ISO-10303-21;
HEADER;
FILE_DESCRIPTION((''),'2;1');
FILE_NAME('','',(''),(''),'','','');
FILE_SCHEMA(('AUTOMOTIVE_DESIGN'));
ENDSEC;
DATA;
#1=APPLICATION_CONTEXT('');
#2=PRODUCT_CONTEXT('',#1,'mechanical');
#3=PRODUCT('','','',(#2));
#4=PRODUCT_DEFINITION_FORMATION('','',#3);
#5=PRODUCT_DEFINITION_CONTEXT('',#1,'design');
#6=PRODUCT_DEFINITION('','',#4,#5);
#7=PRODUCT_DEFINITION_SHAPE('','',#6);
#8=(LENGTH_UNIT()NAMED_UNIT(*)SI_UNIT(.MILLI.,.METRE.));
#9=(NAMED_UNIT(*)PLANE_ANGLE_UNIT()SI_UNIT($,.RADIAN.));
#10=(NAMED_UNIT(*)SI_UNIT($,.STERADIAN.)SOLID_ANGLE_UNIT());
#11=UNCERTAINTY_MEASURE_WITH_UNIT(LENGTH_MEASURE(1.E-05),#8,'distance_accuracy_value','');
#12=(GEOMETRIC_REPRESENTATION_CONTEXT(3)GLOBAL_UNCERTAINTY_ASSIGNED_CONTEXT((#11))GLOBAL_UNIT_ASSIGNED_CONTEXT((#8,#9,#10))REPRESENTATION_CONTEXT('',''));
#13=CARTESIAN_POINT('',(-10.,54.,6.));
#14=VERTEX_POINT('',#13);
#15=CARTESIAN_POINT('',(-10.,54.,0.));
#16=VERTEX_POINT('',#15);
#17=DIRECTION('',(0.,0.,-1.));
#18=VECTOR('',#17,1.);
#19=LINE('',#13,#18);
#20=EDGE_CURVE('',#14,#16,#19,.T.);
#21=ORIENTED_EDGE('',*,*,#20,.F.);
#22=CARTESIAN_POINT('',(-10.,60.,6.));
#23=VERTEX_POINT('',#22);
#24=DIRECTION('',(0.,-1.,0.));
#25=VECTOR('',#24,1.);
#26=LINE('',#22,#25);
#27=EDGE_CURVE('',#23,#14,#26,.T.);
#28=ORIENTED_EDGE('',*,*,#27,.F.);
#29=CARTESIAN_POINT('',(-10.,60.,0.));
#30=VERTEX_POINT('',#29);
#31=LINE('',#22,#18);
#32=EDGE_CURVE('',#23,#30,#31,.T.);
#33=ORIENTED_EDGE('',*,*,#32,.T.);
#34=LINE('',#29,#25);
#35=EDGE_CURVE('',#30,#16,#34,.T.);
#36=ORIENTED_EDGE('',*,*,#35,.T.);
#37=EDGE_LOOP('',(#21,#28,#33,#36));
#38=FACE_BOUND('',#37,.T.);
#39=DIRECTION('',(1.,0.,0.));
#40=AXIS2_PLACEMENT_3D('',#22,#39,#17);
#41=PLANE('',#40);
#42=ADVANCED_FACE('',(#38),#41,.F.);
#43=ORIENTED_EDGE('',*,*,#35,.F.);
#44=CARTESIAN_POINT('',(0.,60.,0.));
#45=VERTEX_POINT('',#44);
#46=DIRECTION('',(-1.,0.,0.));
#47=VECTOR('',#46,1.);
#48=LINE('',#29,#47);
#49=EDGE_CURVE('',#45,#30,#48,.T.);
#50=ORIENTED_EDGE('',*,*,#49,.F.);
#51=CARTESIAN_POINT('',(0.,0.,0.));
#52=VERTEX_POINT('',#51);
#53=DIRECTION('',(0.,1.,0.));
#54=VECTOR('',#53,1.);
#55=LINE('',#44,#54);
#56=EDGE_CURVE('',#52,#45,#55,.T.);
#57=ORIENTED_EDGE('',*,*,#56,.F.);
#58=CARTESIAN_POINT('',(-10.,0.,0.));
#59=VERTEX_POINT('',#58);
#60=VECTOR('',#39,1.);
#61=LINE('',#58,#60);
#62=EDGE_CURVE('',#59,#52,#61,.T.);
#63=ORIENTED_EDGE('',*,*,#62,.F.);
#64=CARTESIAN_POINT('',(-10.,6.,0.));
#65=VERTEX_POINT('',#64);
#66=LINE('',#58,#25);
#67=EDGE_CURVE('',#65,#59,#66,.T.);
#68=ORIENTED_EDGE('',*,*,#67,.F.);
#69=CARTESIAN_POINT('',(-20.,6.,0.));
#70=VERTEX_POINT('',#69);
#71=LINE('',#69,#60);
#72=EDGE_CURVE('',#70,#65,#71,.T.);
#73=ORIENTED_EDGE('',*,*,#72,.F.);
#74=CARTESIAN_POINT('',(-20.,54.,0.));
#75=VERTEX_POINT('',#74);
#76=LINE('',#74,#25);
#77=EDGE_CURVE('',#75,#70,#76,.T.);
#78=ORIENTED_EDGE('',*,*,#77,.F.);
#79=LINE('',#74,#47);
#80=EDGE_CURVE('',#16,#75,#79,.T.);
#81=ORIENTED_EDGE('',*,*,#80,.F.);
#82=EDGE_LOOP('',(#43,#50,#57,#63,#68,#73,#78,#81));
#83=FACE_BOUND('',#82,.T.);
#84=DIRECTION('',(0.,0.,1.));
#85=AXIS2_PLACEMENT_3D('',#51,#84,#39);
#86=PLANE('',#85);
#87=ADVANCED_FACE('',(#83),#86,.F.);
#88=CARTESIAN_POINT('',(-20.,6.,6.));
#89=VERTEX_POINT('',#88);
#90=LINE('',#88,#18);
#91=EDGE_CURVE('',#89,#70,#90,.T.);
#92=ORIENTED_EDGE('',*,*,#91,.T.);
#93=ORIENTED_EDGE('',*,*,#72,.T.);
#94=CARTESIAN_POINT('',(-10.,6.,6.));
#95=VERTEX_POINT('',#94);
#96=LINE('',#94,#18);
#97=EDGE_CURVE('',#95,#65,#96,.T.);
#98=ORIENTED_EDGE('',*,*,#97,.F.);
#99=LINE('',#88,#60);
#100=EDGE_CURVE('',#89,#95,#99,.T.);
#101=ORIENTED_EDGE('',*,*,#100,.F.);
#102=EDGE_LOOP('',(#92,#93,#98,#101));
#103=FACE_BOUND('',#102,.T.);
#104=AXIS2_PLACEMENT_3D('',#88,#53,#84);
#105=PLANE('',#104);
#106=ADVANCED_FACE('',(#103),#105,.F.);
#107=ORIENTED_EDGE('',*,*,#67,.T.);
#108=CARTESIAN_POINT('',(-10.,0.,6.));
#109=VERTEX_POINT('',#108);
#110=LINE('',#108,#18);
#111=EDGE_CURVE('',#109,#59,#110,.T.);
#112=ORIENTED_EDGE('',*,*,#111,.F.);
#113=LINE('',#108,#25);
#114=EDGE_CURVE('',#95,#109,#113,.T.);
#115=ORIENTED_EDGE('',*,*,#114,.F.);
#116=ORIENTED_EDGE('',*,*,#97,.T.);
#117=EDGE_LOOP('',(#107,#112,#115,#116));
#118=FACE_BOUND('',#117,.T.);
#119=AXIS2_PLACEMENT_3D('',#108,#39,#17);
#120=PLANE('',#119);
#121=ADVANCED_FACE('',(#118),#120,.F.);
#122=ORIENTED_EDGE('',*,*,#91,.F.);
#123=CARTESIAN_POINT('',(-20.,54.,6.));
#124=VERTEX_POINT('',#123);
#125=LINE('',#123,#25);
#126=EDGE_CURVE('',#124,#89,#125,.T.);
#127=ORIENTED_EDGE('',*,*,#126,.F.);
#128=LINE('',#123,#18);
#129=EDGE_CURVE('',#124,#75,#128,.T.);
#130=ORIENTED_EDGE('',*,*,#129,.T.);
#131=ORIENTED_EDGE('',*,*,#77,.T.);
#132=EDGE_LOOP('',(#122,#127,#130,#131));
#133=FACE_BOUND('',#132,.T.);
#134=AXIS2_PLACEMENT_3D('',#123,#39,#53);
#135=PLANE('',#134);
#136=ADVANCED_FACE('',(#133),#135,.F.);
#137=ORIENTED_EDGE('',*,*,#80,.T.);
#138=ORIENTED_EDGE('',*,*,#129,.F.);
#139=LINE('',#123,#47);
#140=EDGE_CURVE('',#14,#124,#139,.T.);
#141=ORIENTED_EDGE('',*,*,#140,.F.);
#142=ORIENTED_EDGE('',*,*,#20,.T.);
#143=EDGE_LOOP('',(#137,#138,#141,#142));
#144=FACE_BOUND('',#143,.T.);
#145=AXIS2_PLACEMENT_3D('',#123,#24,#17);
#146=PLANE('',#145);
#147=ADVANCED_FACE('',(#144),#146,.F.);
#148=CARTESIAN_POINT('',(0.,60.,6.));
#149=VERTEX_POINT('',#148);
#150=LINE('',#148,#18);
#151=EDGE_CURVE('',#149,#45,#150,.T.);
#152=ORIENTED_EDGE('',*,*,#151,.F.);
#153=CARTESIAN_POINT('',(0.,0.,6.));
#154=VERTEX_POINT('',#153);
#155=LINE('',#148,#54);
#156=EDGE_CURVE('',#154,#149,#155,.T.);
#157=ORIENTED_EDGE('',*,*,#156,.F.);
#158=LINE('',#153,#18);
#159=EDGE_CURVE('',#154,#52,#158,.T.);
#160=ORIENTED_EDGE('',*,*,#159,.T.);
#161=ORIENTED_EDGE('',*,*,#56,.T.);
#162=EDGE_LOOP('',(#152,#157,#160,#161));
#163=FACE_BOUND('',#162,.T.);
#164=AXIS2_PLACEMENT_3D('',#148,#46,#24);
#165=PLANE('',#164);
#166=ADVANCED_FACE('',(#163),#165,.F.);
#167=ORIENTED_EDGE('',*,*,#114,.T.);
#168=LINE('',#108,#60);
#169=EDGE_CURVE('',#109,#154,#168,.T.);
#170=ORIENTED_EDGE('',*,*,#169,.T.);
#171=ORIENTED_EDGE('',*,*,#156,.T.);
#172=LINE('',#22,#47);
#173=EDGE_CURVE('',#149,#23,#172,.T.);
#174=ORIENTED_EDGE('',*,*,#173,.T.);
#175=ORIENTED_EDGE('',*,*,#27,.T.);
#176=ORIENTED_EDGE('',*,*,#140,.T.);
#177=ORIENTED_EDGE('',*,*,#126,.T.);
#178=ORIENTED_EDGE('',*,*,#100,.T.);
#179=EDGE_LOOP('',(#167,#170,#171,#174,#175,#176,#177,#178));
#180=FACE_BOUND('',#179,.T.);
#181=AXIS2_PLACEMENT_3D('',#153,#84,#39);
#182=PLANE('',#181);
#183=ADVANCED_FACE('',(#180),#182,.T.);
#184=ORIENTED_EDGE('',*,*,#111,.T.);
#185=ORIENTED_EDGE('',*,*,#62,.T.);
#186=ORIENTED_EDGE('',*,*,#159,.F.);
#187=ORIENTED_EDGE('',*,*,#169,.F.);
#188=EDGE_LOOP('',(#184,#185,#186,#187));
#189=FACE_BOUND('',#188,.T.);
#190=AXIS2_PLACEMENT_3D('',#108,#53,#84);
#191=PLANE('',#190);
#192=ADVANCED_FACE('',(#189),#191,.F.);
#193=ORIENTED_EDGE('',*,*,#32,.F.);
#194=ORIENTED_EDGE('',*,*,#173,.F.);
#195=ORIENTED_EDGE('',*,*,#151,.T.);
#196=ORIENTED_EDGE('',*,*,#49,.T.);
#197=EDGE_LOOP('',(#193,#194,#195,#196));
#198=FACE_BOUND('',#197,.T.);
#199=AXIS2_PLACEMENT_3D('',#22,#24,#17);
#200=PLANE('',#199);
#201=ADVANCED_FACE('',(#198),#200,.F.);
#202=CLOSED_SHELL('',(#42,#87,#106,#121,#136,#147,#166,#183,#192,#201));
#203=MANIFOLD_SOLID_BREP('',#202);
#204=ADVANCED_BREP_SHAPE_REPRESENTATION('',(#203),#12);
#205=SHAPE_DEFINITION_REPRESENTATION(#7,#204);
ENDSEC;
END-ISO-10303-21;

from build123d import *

# Parameters (mm, degrees)
BOSS_EXTRUDE1_DEPTH = 6


with BuildPart() as part:
    # Sketch1 → Boss-Extrude1 (new body)
    with BuildSketch(Plane.XY):
        Polygon((-10, 60), (0, 60), (0, 0), (-10, 0), (-10, 6), (-20, 6), (-20, 54), (-10, 54), align=None)
    extrude(amount=BOSS_EXTRUDE1_DEPTH)


solid = part.part
